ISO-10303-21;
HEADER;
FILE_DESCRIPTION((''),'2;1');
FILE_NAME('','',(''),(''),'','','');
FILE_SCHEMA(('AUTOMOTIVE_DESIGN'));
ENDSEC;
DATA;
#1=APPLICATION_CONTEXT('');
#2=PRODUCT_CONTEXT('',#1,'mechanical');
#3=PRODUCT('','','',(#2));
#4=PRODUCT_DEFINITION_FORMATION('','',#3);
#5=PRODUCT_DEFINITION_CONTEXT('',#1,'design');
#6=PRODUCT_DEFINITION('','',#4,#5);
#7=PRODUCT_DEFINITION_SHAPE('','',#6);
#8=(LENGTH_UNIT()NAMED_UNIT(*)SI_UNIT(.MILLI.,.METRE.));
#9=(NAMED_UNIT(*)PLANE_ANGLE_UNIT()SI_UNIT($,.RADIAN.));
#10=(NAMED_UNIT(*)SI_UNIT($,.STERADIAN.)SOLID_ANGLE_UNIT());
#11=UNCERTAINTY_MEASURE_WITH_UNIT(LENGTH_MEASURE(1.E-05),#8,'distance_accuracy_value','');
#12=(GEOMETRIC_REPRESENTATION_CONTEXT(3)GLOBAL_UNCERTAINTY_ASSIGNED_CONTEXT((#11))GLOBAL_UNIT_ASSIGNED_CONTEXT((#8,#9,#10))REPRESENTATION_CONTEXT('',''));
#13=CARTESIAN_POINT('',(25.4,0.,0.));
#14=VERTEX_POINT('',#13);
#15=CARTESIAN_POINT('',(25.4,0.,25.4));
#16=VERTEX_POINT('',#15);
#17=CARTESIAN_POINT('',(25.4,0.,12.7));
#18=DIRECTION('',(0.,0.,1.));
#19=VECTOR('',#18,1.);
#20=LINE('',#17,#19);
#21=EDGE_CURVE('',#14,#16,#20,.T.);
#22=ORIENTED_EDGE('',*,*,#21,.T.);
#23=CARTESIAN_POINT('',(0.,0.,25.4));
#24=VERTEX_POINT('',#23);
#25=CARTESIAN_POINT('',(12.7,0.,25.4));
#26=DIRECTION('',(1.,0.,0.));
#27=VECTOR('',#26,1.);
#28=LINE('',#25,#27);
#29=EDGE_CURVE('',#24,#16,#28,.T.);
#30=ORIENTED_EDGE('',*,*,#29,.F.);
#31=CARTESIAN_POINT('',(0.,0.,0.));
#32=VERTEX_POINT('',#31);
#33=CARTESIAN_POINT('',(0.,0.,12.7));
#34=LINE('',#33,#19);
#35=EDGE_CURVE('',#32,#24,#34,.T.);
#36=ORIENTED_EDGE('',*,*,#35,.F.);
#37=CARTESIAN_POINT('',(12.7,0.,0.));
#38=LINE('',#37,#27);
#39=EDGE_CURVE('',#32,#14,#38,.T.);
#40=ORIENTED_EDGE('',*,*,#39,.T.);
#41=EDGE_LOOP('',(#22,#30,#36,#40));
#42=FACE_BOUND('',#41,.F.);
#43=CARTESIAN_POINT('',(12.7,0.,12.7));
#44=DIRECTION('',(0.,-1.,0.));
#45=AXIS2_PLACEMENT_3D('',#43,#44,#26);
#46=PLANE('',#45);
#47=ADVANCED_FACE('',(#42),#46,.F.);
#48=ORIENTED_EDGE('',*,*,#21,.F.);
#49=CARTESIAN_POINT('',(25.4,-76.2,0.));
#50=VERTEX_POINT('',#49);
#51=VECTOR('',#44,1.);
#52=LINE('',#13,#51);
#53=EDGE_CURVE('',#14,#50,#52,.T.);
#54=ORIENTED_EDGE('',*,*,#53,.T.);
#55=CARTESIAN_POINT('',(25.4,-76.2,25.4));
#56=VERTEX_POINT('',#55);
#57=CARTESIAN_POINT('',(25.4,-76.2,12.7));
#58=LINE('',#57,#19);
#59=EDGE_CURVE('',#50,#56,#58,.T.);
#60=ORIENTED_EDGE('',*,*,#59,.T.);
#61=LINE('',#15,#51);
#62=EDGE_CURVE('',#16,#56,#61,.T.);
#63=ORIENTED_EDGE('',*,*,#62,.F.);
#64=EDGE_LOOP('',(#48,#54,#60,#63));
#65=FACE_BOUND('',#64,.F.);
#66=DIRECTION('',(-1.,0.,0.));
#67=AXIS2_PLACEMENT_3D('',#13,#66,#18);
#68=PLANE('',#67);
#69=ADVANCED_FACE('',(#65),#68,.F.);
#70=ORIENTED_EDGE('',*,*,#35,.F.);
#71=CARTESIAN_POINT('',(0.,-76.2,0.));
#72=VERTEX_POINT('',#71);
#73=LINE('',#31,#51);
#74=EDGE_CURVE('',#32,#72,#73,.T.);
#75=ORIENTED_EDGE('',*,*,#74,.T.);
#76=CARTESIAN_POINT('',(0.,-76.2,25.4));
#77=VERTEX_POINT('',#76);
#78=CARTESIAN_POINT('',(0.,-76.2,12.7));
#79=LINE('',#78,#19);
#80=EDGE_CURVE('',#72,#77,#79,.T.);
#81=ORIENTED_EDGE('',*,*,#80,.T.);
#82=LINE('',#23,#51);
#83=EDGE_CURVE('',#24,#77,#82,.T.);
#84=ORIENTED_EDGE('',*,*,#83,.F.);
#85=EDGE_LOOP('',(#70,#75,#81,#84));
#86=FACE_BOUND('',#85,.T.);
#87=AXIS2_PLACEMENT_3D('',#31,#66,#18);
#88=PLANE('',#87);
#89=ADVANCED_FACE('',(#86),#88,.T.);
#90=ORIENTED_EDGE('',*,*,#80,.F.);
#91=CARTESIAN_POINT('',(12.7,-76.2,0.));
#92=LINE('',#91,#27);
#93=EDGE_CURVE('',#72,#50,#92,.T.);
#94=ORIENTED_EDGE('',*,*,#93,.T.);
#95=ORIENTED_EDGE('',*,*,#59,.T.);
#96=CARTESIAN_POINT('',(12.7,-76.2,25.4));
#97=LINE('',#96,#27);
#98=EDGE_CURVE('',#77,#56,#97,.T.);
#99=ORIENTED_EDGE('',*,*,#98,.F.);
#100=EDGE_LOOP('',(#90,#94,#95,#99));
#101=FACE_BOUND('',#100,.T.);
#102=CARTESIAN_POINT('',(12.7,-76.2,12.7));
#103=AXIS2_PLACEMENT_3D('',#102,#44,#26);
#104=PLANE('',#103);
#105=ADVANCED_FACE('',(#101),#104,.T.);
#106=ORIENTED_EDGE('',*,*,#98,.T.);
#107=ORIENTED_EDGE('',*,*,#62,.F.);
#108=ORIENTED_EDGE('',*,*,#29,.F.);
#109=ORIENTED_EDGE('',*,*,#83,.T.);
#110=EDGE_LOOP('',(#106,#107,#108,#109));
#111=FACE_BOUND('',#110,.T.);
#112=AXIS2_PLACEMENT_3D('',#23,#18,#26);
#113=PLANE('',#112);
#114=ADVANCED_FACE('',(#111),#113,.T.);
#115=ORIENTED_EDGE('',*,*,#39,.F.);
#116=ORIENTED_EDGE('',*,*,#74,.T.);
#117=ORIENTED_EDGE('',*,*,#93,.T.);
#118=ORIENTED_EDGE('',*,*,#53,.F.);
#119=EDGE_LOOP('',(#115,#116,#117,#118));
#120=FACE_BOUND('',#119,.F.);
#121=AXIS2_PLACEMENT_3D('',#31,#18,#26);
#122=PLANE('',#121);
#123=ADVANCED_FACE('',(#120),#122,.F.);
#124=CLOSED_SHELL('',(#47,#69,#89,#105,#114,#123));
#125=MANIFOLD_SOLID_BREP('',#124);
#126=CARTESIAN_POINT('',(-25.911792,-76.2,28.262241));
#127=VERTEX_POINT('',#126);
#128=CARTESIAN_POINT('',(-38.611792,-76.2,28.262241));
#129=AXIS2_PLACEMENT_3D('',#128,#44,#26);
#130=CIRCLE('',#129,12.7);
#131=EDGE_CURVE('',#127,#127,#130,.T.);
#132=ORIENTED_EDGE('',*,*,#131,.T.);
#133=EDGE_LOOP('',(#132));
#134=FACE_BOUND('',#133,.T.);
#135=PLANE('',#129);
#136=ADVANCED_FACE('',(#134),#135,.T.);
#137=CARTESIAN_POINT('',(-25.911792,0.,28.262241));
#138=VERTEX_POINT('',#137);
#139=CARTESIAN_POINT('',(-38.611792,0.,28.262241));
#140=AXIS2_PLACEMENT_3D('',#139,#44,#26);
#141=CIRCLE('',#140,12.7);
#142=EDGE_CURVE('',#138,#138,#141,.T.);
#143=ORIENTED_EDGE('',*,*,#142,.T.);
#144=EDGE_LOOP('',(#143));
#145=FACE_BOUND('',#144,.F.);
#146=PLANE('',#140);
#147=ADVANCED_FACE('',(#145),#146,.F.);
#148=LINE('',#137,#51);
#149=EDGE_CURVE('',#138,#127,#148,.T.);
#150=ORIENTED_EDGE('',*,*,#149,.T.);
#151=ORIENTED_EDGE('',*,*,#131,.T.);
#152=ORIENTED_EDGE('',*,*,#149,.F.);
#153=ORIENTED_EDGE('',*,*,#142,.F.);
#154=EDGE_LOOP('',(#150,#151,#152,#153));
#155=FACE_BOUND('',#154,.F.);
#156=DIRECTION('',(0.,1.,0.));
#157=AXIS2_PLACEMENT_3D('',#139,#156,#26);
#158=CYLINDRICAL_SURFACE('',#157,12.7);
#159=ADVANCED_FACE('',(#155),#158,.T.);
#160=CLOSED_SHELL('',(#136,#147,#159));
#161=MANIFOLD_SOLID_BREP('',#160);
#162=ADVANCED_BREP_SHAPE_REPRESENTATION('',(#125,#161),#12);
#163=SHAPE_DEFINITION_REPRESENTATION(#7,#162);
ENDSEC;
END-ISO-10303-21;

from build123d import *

# Parameters (mm, degrees)
F0_R     = 12.7
F0_W     = 25.4
F0_H     = 25.4
F1_DEPTH = 76.2


with BuildPart() as f1:
    # F0 (on Front) → F1 (new body)
    with BuildSketch(Plane.XZ):
        with Locations((-38.611792, 28.262241)):
            Circle(F0_R)
        with Locations((12.7, 12.7)):
            Rectangle(F0_W, F0_H)
    extrude(amount=F1_DEPTH)


solid = f1.part
